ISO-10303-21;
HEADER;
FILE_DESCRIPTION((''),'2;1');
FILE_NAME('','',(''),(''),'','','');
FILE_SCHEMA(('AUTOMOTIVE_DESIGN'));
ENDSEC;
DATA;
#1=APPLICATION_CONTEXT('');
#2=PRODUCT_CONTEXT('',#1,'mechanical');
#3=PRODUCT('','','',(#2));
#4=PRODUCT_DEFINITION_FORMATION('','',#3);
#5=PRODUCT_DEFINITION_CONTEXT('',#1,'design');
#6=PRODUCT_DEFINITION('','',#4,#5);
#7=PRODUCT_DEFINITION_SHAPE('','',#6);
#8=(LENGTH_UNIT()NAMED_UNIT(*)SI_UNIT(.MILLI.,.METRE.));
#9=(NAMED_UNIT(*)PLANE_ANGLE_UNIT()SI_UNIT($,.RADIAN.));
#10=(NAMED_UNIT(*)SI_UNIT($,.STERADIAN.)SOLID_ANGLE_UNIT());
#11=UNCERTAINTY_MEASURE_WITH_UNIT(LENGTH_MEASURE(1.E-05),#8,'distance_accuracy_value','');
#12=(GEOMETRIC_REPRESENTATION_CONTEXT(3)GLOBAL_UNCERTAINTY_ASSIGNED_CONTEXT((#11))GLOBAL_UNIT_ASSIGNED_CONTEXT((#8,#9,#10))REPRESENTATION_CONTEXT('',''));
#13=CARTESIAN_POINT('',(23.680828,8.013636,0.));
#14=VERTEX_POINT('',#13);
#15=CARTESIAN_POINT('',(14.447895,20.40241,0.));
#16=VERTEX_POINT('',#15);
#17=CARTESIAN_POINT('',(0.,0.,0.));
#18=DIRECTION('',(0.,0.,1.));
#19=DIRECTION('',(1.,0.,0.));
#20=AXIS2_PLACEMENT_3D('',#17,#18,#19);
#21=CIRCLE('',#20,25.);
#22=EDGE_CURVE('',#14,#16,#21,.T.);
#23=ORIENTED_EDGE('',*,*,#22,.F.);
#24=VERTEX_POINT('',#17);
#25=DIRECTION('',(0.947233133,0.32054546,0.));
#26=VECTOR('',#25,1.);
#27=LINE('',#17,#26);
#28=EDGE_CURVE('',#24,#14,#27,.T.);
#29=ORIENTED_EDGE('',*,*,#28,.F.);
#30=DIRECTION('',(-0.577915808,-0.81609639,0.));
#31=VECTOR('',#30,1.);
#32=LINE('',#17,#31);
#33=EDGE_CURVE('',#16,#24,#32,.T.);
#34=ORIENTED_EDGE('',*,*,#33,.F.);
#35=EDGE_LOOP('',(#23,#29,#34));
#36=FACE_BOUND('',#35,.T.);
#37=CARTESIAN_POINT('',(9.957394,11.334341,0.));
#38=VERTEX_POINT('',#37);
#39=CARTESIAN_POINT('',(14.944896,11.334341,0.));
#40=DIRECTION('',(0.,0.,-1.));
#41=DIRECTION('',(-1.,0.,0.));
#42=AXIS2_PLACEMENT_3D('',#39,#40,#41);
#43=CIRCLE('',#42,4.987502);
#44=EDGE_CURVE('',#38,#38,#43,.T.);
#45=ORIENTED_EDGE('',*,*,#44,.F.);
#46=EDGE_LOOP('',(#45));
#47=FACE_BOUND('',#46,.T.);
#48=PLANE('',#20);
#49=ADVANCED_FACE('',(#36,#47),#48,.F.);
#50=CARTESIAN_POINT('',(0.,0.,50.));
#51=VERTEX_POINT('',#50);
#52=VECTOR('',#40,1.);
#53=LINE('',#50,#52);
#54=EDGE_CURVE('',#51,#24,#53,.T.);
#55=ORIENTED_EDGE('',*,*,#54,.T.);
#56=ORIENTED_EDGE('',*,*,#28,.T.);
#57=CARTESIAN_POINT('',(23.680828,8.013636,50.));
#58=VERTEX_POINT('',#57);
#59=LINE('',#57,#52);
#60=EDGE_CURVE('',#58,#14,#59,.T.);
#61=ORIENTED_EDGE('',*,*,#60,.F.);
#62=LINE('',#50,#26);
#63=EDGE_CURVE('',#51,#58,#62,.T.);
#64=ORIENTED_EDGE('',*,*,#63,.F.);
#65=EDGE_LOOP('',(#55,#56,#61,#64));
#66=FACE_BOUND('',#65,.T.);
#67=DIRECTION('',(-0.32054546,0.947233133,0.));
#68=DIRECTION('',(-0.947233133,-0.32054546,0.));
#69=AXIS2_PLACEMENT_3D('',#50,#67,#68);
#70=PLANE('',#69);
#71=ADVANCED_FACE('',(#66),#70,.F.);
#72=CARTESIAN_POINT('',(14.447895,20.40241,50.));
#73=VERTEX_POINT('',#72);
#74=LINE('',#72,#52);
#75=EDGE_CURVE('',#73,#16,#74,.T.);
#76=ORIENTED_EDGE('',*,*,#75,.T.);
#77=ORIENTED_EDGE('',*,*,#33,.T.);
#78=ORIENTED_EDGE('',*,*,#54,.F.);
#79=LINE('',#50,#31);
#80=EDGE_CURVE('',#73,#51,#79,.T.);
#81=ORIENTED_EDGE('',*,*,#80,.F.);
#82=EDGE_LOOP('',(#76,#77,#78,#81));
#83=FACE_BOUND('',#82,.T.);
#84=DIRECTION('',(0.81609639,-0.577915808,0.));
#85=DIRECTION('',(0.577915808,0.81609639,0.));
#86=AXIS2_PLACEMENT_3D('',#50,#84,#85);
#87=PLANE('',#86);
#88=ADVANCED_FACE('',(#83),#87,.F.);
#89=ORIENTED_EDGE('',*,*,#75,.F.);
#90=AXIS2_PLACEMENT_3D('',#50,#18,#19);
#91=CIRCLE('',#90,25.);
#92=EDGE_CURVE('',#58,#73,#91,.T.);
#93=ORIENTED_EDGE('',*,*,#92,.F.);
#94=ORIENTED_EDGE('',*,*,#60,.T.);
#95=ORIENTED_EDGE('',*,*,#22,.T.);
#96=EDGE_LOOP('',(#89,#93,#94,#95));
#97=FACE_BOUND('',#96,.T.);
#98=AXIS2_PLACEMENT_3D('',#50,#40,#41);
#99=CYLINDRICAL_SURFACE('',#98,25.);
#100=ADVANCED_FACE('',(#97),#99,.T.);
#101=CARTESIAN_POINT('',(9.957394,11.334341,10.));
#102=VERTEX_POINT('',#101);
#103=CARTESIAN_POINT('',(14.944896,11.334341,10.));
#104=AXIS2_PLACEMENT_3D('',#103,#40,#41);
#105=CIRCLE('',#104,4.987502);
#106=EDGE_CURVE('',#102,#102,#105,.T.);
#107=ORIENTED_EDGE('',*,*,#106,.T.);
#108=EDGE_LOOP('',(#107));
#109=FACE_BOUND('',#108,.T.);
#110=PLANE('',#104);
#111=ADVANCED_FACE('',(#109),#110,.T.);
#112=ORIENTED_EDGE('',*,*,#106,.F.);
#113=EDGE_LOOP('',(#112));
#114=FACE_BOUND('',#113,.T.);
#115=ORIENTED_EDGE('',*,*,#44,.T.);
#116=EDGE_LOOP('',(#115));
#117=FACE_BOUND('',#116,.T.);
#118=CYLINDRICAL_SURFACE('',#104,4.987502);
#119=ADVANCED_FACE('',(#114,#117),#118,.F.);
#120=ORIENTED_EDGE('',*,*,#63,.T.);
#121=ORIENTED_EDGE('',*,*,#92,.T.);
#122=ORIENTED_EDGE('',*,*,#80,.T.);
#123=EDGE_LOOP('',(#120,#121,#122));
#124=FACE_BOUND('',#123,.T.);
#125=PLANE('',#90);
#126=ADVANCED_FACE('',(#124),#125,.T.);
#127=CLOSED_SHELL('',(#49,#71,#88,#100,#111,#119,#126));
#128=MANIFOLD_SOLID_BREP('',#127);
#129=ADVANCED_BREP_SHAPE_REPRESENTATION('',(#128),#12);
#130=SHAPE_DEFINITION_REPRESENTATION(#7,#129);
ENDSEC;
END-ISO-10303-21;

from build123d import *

# Parameters (mm, degrees)
SALIENTE_EXTRUIR1_DEPTH = 50
CROQUIS2_R              = 4.98750192
CORTAR_EXTRUIR1_DEPTH   = 10


with BuildPart() as part:
    # Croquis1 → Saliente-Extruir1 (new body)
    with BuildSketch(Plane.XY):
        with BuildLine():
            Line((0, 0), (14.447895207, 20.402409762))
            ThreePointArc((14.447895207, 20.402409762), (20.045456226, 14.9391996), (23.680828325, 8.013636494))
            Line((23.680828325, 8.013636494), (0, 0))
        make_face()
    extrude(amount=SALIENTE_EXTRUIR1_DEPTH)

    # Croquis2 → Cortar-Extruir1 (cut)
    with BuildSketch(Plane(origin=(0, 0, 0), x_dir=(-1, 0, 0), z_dir=(0, 0, -1))):
        with Locations((-14.944895644, 11.334340622)):
            Circle(CROQUIS2_R)
    extrude(amount=-CORTAR_EXTRUIR1_DEPTH, mode=Mode.SUBTRACT)


solid = part.part
